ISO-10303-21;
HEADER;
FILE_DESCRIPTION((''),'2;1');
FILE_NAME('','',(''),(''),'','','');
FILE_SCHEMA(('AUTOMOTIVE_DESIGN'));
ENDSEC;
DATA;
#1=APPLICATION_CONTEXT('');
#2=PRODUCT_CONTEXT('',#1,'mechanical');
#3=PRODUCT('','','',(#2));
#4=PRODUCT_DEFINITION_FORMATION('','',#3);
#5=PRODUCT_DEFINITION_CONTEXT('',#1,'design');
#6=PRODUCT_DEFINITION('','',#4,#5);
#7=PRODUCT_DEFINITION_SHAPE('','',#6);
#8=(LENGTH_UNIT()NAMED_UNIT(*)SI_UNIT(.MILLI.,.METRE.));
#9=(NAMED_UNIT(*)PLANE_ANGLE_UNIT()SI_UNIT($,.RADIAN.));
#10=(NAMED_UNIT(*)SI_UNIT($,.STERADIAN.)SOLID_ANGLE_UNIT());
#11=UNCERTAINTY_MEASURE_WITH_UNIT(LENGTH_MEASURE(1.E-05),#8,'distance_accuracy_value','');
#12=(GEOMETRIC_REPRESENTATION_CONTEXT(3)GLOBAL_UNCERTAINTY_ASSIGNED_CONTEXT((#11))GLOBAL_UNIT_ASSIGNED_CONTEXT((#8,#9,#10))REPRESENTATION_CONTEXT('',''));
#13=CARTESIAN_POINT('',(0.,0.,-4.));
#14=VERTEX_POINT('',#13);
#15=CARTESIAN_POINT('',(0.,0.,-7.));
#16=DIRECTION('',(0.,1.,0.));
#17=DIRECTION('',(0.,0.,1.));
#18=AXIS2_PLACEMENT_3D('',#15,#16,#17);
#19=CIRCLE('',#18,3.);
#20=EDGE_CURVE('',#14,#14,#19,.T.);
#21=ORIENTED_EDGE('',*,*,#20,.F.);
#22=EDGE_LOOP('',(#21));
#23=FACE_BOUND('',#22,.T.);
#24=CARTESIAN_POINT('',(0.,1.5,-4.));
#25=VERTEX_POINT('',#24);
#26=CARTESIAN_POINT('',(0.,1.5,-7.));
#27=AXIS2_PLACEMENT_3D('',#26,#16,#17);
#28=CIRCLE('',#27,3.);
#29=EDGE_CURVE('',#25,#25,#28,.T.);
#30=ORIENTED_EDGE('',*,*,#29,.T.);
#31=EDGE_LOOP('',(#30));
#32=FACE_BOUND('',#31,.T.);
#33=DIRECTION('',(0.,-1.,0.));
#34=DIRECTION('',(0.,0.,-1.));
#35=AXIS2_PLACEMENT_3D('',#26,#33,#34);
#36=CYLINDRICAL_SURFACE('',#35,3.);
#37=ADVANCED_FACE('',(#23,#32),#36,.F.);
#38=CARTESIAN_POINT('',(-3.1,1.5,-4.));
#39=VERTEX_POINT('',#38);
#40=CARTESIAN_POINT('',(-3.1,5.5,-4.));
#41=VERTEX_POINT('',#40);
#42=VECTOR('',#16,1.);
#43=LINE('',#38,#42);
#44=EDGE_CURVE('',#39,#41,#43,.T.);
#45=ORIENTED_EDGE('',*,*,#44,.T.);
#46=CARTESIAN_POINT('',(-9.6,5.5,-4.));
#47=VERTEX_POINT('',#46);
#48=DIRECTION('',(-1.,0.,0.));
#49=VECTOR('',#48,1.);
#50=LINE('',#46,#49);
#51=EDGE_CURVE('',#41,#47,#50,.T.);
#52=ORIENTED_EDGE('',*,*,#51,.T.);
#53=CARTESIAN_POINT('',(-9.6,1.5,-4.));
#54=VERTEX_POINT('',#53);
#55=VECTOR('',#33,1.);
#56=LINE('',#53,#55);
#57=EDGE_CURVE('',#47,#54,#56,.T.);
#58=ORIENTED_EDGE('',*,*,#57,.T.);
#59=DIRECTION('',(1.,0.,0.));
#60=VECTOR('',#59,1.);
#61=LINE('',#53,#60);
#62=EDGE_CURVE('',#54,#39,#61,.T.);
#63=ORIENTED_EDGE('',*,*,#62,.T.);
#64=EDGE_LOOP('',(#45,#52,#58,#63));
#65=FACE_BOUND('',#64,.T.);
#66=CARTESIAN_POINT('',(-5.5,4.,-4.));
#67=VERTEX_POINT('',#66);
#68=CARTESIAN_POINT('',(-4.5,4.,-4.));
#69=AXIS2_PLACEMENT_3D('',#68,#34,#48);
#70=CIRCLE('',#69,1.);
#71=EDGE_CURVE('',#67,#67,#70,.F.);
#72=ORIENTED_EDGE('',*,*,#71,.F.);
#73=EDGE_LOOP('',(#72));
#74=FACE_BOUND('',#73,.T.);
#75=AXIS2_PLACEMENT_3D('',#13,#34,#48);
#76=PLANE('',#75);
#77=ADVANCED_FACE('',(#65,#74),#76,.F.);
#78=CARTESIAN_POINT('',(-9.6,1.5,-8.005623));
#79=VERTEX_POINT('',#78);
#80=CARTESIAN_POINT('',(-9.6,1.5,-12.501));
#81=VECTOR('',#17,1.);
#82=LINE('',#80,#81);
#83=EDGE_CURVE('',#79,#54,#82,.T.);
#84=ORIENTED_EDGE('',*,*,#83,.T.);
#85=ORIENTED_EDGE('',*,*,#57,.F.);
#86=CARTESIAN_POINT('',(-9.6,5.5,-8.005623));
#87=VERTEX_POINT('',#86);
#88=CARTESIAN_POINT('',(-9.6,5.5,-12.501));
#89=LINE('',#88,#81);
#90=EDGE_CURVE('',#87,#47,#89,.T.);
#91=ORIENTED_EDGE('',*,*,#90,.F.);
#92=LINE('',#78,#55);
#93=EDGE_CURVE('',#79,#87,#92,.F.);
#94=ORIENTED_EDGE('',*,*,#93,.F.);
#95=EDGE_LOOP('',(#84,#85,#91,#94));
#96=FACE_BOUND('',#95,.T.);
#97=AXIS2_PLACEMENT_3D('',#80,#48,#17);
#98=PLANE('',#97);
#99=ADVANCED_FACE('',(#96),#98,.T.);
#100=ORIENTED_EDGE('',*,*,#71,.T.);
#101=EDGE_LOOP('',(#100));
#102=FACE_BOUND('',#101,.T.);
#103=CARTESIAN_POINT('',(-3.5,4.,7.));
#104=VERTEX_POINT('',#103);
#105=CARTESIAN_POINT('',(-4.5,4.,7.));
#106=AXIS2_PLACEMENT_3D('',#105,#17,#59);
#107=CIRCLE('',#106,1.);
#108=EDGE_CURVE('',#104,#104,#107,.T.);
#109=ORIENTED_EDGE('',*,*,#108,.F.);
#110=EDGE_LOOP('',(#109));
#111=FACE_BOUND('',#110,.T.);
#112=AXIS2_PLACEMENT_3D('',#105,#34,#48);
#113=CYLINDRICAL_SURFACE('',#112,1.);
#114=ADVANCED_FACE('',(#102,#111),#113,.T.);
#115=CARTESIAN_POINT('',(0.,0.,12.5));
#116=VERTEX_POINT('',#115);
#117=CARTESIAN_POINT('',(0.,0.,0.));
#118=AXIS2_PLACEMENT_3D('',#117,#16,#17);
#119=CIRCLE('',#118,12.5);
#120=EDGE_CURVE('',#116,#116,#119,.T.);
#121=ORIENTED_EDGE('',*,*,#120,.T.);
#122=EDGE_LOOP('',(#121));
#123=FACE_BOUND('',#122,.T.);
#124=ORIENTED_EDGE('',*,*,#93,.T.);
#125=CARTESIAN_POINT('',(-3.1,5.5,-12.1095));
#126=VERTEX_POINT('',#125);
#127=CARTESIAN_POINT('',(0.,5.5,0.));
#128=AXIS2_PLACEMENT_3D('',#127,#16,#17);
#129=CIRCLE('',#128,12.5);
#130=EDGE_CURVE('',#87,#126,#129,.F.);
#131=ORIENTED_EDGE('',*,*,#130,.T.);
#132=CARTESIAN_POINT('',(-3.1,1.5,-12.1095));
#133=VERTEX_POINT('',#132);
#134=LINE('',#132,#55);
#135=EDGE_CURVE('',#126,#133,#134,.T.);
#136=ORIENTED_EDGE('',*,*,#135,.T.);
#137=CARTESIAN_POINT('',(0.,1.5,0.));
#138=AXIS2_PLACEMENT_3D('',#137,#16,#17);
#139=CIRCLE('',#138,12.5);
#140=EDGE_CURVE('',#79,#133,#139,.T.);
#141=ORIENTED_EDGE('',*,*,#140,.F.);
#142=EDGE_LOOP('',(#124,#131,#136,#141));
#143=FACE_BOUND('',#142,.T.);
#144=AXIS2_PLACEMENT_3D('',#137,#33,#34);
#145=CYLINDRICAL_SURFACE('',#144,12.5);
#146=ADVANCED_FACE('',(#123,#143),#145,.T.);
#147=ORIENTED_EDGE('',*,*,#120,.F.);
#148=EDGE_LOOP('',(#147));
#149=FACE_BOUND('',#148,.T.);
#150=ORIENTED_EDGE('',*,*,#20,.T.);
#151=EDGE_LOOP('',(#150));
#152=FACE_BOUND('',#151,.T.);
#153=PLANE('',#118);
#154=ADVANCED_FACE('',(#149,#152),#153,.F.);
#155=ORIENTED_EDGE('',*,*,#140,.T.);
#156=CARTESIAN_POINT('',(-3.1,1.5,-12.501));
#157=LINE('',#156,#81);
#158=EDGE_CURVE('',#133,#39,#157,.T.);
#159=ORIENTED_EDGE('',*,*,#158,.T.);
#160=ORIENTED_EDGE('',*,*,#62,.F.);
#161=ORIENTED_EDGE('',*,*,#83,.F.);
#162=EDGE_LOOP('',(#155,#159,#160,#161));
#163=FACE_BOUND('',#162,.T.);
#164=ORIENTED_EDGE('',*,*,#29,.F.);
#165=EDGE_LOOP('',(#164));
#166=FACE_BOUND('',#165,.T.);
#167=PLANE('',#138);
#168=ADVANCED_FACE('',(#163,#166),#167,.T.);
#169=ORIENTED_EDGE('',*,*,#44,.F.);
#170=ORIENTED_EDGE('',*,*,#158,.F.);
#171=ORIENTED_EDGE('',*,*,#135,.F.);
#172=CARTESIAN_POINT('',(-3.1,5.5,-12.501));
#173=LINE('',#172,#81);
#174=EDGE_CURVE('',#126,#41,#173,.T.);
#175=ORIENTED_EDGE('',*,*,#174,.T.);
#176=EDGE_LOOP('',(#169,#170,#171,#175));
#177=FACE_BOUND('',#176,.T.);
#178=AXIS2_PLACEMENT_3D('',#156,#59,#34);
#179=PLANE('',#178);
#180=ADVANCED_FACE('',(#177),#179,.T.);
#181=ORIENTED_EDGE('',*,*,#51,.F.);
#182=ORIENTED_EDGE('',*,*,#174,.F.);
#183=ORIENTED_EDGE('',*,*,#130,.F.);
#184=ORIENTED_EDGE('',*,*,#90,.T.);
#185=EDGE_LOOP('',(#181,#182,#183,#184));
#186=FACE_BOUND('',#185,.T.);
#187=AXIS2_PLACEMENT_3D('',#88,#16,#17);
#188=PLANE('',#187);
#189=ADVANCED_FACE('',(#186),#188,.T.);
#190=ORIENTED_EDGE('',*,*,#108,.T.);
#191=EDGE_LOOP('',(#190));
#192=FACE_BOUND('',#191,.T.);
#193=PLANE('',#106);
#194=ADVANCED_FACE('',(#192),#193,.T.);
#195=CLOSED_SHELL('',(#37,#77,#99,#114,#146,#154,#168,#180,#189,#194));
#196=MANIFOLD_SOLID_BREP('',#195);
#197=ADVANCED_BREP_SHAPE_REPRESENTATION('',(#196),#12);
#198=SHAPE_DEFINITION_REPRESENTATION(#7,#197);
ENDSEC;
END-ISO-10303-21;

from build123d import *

# Parameters (mm, degrees)
SKETCH1_R                = 12.5
SKETCH1_R_2              = 3
BOSS_EXTRUDE1_DEPTH      = 1.5
SKETCH3_R                = 1
BOSS_EXTRUDE3_DEPTH      = 11
BOSS_EXTRUDE4_REACH      = 23.296
BOSS_EXTRUDE4_END_RADIUS = 12.5
SKETCH5_W                = 6.5
SKETCH5_H                = 4


with BuildPart() as part:
    # Sketch1 → Boss-Extrude1 (new body)
    with BuildSketch(Plane(origin=(0, 0, 0), x_dir=(1, 0, 0), z_dir=(0, 1, 0))):
        with Locations(Location((0, 0, 0), (0, 0, 270))):
            Circle(SKETCH1_R)
        with Locations(Location((0, 7, 0), (0, 0, 270))):
            Circle(SKETCH1_R_2, mode=Mode.SUBTRACT)
    extrude(amount=BOSS_EXTRUDE1_DEPTH)



with BuildPart() as body_2:
    # Sketch3 → Boss-Extrude3 (new body)
    with BuildSketch(Plane.XY.offset(-4)):
        with Locations((-4.5, 4)):
            Circle(SKETCH3_R)
    extrude(amount=BOSS_EXTRUDE3_DEPTH)


with BuildPart() as part_1:
    add(part.part)

    add(body_2.part)  # Boss-Extrude4 merges body 2
    # Boss-Extrude4: up to this cylinder (the profile starts inside it)
    boss_extrude4_end = Plane(origin=(0, 3.5, 0), z_dir=(0, -1, 0)) * Cylinder(BOSS_EXTRUDE4_END_RADIUS, 72.592, mode=Mode.PRIVATE)
    # Sketch5 → Boss-Extrude4 (add, up to the surface)
    with BuildSketch(Plane.XY.offset(-4), mode=Mode.PRIVATE) as boss_extrude4_sk1:
        with Locations((-6.35, 3.5)):
            Rectangle(SKETCH5_W, SKETCH5_H)
    boss_extrude4_tool1 = extrude(boss_extrude4_sk1.sketch, amount=-BOSS_EXTRUDE4_REACH, mode=Mode.PRIVATE) & boss_extrude4_end
    add(boss_extrude4_tool1.solids().sort_by_distance((-6.35, 3.5, -4))[0])


solid = part_1.part
